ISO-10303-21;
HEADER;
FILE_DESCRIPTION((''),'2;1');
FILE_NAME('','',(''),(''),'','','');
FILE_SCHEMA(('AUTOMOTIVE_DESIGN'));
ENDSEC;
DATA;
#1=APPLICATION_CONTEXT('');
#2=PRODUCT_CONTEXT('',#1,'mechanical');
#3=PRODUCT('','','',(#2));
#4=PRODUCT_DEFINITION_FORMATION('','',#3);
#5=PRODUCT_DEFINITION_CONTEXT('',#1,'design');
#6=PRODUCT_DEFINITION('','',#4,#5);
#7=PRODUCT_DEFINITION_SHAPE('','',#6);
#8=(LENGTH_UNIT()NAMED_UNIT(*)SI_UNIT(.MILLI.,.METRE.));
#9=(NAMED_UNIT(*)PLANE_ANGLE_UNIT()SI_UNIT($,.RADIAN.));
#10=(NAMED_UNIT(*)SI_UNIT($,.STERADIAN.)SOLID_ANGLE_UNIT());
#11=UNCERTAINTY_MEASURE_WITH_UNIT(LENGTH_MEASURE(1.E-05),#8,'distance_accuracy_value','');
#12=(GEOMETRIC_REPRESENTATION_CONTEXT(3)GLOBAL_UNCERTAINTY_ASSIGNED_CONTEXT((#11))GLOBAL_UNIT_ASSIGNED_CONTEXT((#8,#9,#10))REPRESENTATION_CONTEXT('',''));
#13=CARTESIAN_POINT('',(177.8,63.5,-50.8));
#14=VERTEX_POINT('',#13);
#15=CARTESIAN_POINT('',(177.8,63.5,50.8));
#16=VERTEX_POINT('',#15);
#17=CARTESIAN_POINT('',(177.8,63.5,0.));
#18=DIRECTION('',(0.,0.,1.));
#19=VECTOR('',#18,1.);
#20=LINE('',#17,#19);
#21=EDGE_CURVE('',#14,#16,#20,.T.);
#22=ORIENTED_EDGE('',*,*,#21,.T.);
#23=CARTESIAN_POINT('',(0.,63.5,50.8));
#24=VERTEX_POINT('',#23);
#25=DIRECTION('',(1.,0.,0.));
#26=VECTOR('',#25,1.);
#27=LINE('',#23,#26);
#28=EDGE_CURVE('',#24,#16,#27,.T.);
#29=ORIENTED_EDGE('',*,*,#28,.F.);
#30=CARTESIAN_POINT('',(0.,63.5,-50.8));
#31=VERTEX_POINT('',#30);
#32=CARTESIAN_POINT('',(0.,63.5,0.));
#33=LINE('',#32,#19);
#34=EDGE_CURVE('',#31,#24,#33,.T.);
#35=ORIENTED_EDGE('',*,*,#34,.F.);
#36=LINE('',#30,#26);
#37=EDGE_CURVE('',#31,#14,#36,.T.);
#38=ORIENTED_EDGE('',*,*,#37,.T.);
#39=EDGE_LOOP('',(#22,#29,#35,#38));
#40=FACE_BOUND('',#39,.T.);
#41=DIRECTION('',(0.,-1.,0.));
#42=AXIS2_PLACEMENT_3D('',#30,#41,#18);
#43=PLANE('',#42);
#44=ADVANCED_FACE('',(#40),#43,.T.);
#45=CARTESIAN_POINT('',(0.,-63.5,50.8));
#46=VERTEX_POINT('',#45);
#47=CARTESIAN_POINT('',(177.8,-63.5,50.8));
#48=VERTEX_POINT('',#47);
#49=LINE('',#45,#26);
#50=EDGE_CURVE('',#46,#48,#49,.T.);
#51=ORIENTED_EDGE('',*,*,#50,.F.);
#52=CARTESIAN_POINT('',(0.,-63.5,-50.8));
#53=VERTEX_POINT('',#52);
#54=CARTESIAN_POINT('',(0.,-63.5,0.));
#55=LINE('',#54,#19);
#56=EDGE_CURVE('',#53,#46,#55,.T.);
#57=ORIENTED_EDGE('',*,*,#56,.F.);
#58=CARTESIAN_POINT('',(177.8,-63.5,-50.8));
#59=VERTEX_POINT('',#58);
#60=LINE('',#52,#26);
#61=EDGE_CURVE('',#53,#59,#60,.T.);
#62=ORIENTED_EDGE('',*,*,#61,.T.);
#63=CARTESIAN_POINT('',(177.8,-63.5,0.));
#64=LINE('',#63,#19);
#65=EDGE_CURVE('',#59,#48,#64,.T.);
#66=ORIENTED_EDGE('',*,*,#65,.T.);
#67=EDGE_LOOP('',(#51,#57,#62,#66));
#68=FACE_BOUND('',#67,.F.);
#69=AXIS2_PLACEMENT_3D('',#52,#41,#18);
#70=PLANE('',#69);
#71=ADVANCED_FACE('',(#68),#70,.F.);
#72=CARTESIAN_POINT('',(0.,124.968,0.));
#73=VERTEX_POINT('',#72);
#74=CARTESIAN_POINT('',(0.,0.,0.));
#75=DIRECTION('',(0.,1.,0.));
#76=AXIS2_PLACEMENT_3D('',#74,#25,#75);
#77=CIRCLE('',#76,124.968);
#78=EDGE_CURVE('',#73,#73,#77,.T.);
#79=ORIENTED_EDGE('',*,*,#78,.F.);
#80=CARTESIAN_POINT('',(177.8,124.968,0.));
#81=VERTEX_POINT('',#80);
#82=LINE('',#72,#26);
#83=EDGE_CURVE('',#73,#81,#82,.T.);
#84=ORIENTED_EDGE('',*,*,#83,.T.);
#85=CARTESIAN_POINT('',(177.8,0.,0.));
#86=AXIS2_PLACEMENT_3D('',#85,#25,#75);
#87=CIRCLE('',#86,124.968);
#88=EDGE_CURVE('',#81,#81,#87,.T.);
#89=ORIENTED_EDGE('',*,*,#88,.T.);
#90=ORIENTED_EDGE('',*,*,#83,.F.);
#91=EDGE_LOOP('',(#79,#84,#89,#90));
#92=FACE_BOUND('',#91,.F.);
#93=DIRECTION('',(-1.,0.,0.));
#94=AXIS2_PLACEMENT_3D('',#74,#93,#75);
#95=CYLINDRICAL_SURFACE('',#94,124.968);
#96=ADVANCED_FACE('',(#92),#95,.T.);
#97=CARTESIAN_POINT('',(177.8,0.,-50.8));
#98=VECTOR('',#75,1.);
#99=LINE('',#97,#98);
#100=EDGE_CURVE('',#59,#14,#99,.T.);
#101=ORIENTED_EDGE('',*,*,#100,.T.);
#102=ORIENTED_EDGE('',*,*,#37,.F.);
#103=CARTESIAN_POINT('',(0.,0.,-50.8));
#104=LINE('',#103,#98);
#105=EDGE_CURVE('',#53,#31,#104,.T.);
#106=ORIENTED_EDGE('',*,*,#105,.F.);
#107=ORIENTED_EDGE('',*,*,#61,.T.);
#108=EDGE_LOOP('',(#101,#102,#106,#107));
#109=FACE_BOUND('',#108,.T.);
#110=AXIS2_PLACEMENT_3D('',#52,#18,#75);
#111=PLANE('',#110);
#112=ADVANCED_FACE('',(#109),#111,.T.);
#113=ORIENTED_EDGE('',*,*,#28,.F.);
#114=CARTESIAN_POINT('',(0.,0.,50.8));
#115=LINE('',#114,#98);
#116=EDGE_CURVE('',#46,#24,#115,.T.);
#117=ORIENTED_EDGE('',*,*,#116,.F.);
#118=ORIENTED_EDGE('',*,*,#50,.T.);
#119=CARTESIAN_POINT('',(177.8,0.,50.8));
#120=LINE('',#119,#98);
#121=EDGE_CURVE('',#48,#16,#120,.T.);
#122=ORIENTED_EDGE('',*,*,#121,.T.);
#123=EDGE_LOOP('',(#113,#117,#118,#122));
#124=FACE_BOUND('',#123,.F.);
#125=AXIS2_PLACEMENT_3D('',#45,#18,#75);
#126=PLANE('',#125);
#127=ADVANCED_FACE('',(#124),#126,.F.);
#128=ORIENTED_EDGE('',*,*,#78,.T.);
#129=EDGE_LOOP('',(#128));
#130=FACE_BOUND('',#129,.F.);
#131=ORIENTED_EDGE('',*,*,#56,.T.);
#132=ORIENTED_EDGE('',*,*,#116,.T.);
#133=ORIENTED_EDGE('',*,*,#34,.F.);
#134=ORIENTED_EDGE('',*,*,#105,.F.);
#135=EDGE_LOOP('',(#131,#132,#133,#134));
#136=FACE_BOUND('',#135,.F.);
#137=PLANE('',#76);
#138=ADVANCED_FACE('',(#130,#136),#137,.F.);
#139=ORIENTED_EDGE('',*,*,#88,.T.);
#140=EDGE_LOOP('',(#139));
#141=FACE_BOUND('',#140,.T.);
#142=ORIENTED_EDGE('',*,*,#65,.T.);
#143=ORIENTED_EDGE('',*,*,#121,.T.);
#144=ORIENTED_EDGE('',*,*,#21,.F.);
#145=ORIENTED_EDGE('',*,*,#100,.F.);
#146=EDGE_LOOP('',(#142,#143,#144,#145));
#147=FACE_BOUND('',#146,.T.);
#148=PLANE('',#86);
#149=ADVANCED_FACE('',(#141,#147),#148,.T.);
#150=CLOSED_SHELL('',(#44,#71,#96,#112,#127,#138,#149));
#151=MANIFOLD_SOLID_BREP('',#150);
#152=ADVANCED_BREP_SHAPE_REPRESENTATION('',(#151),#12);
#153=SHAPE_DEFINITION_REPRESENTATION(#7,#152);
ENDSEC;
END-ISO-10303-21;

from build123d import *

# Parameters (mm, degrees)
F0_R     = 124.968
F0_W     = 127
F0_H     = 101.6
F1_DEPTH = 177.8


with BuildPart() as f1:
    # F0 (on Right) → F1 (new body)
    with BuildSketch(Plane.YZ):
        Circle(F0_R)
        Rectangle(F0_W, F0_H, mode=Mode.SUBTRACT)
    extrude(amount=F1_DEPTH)


solid = f1.part
